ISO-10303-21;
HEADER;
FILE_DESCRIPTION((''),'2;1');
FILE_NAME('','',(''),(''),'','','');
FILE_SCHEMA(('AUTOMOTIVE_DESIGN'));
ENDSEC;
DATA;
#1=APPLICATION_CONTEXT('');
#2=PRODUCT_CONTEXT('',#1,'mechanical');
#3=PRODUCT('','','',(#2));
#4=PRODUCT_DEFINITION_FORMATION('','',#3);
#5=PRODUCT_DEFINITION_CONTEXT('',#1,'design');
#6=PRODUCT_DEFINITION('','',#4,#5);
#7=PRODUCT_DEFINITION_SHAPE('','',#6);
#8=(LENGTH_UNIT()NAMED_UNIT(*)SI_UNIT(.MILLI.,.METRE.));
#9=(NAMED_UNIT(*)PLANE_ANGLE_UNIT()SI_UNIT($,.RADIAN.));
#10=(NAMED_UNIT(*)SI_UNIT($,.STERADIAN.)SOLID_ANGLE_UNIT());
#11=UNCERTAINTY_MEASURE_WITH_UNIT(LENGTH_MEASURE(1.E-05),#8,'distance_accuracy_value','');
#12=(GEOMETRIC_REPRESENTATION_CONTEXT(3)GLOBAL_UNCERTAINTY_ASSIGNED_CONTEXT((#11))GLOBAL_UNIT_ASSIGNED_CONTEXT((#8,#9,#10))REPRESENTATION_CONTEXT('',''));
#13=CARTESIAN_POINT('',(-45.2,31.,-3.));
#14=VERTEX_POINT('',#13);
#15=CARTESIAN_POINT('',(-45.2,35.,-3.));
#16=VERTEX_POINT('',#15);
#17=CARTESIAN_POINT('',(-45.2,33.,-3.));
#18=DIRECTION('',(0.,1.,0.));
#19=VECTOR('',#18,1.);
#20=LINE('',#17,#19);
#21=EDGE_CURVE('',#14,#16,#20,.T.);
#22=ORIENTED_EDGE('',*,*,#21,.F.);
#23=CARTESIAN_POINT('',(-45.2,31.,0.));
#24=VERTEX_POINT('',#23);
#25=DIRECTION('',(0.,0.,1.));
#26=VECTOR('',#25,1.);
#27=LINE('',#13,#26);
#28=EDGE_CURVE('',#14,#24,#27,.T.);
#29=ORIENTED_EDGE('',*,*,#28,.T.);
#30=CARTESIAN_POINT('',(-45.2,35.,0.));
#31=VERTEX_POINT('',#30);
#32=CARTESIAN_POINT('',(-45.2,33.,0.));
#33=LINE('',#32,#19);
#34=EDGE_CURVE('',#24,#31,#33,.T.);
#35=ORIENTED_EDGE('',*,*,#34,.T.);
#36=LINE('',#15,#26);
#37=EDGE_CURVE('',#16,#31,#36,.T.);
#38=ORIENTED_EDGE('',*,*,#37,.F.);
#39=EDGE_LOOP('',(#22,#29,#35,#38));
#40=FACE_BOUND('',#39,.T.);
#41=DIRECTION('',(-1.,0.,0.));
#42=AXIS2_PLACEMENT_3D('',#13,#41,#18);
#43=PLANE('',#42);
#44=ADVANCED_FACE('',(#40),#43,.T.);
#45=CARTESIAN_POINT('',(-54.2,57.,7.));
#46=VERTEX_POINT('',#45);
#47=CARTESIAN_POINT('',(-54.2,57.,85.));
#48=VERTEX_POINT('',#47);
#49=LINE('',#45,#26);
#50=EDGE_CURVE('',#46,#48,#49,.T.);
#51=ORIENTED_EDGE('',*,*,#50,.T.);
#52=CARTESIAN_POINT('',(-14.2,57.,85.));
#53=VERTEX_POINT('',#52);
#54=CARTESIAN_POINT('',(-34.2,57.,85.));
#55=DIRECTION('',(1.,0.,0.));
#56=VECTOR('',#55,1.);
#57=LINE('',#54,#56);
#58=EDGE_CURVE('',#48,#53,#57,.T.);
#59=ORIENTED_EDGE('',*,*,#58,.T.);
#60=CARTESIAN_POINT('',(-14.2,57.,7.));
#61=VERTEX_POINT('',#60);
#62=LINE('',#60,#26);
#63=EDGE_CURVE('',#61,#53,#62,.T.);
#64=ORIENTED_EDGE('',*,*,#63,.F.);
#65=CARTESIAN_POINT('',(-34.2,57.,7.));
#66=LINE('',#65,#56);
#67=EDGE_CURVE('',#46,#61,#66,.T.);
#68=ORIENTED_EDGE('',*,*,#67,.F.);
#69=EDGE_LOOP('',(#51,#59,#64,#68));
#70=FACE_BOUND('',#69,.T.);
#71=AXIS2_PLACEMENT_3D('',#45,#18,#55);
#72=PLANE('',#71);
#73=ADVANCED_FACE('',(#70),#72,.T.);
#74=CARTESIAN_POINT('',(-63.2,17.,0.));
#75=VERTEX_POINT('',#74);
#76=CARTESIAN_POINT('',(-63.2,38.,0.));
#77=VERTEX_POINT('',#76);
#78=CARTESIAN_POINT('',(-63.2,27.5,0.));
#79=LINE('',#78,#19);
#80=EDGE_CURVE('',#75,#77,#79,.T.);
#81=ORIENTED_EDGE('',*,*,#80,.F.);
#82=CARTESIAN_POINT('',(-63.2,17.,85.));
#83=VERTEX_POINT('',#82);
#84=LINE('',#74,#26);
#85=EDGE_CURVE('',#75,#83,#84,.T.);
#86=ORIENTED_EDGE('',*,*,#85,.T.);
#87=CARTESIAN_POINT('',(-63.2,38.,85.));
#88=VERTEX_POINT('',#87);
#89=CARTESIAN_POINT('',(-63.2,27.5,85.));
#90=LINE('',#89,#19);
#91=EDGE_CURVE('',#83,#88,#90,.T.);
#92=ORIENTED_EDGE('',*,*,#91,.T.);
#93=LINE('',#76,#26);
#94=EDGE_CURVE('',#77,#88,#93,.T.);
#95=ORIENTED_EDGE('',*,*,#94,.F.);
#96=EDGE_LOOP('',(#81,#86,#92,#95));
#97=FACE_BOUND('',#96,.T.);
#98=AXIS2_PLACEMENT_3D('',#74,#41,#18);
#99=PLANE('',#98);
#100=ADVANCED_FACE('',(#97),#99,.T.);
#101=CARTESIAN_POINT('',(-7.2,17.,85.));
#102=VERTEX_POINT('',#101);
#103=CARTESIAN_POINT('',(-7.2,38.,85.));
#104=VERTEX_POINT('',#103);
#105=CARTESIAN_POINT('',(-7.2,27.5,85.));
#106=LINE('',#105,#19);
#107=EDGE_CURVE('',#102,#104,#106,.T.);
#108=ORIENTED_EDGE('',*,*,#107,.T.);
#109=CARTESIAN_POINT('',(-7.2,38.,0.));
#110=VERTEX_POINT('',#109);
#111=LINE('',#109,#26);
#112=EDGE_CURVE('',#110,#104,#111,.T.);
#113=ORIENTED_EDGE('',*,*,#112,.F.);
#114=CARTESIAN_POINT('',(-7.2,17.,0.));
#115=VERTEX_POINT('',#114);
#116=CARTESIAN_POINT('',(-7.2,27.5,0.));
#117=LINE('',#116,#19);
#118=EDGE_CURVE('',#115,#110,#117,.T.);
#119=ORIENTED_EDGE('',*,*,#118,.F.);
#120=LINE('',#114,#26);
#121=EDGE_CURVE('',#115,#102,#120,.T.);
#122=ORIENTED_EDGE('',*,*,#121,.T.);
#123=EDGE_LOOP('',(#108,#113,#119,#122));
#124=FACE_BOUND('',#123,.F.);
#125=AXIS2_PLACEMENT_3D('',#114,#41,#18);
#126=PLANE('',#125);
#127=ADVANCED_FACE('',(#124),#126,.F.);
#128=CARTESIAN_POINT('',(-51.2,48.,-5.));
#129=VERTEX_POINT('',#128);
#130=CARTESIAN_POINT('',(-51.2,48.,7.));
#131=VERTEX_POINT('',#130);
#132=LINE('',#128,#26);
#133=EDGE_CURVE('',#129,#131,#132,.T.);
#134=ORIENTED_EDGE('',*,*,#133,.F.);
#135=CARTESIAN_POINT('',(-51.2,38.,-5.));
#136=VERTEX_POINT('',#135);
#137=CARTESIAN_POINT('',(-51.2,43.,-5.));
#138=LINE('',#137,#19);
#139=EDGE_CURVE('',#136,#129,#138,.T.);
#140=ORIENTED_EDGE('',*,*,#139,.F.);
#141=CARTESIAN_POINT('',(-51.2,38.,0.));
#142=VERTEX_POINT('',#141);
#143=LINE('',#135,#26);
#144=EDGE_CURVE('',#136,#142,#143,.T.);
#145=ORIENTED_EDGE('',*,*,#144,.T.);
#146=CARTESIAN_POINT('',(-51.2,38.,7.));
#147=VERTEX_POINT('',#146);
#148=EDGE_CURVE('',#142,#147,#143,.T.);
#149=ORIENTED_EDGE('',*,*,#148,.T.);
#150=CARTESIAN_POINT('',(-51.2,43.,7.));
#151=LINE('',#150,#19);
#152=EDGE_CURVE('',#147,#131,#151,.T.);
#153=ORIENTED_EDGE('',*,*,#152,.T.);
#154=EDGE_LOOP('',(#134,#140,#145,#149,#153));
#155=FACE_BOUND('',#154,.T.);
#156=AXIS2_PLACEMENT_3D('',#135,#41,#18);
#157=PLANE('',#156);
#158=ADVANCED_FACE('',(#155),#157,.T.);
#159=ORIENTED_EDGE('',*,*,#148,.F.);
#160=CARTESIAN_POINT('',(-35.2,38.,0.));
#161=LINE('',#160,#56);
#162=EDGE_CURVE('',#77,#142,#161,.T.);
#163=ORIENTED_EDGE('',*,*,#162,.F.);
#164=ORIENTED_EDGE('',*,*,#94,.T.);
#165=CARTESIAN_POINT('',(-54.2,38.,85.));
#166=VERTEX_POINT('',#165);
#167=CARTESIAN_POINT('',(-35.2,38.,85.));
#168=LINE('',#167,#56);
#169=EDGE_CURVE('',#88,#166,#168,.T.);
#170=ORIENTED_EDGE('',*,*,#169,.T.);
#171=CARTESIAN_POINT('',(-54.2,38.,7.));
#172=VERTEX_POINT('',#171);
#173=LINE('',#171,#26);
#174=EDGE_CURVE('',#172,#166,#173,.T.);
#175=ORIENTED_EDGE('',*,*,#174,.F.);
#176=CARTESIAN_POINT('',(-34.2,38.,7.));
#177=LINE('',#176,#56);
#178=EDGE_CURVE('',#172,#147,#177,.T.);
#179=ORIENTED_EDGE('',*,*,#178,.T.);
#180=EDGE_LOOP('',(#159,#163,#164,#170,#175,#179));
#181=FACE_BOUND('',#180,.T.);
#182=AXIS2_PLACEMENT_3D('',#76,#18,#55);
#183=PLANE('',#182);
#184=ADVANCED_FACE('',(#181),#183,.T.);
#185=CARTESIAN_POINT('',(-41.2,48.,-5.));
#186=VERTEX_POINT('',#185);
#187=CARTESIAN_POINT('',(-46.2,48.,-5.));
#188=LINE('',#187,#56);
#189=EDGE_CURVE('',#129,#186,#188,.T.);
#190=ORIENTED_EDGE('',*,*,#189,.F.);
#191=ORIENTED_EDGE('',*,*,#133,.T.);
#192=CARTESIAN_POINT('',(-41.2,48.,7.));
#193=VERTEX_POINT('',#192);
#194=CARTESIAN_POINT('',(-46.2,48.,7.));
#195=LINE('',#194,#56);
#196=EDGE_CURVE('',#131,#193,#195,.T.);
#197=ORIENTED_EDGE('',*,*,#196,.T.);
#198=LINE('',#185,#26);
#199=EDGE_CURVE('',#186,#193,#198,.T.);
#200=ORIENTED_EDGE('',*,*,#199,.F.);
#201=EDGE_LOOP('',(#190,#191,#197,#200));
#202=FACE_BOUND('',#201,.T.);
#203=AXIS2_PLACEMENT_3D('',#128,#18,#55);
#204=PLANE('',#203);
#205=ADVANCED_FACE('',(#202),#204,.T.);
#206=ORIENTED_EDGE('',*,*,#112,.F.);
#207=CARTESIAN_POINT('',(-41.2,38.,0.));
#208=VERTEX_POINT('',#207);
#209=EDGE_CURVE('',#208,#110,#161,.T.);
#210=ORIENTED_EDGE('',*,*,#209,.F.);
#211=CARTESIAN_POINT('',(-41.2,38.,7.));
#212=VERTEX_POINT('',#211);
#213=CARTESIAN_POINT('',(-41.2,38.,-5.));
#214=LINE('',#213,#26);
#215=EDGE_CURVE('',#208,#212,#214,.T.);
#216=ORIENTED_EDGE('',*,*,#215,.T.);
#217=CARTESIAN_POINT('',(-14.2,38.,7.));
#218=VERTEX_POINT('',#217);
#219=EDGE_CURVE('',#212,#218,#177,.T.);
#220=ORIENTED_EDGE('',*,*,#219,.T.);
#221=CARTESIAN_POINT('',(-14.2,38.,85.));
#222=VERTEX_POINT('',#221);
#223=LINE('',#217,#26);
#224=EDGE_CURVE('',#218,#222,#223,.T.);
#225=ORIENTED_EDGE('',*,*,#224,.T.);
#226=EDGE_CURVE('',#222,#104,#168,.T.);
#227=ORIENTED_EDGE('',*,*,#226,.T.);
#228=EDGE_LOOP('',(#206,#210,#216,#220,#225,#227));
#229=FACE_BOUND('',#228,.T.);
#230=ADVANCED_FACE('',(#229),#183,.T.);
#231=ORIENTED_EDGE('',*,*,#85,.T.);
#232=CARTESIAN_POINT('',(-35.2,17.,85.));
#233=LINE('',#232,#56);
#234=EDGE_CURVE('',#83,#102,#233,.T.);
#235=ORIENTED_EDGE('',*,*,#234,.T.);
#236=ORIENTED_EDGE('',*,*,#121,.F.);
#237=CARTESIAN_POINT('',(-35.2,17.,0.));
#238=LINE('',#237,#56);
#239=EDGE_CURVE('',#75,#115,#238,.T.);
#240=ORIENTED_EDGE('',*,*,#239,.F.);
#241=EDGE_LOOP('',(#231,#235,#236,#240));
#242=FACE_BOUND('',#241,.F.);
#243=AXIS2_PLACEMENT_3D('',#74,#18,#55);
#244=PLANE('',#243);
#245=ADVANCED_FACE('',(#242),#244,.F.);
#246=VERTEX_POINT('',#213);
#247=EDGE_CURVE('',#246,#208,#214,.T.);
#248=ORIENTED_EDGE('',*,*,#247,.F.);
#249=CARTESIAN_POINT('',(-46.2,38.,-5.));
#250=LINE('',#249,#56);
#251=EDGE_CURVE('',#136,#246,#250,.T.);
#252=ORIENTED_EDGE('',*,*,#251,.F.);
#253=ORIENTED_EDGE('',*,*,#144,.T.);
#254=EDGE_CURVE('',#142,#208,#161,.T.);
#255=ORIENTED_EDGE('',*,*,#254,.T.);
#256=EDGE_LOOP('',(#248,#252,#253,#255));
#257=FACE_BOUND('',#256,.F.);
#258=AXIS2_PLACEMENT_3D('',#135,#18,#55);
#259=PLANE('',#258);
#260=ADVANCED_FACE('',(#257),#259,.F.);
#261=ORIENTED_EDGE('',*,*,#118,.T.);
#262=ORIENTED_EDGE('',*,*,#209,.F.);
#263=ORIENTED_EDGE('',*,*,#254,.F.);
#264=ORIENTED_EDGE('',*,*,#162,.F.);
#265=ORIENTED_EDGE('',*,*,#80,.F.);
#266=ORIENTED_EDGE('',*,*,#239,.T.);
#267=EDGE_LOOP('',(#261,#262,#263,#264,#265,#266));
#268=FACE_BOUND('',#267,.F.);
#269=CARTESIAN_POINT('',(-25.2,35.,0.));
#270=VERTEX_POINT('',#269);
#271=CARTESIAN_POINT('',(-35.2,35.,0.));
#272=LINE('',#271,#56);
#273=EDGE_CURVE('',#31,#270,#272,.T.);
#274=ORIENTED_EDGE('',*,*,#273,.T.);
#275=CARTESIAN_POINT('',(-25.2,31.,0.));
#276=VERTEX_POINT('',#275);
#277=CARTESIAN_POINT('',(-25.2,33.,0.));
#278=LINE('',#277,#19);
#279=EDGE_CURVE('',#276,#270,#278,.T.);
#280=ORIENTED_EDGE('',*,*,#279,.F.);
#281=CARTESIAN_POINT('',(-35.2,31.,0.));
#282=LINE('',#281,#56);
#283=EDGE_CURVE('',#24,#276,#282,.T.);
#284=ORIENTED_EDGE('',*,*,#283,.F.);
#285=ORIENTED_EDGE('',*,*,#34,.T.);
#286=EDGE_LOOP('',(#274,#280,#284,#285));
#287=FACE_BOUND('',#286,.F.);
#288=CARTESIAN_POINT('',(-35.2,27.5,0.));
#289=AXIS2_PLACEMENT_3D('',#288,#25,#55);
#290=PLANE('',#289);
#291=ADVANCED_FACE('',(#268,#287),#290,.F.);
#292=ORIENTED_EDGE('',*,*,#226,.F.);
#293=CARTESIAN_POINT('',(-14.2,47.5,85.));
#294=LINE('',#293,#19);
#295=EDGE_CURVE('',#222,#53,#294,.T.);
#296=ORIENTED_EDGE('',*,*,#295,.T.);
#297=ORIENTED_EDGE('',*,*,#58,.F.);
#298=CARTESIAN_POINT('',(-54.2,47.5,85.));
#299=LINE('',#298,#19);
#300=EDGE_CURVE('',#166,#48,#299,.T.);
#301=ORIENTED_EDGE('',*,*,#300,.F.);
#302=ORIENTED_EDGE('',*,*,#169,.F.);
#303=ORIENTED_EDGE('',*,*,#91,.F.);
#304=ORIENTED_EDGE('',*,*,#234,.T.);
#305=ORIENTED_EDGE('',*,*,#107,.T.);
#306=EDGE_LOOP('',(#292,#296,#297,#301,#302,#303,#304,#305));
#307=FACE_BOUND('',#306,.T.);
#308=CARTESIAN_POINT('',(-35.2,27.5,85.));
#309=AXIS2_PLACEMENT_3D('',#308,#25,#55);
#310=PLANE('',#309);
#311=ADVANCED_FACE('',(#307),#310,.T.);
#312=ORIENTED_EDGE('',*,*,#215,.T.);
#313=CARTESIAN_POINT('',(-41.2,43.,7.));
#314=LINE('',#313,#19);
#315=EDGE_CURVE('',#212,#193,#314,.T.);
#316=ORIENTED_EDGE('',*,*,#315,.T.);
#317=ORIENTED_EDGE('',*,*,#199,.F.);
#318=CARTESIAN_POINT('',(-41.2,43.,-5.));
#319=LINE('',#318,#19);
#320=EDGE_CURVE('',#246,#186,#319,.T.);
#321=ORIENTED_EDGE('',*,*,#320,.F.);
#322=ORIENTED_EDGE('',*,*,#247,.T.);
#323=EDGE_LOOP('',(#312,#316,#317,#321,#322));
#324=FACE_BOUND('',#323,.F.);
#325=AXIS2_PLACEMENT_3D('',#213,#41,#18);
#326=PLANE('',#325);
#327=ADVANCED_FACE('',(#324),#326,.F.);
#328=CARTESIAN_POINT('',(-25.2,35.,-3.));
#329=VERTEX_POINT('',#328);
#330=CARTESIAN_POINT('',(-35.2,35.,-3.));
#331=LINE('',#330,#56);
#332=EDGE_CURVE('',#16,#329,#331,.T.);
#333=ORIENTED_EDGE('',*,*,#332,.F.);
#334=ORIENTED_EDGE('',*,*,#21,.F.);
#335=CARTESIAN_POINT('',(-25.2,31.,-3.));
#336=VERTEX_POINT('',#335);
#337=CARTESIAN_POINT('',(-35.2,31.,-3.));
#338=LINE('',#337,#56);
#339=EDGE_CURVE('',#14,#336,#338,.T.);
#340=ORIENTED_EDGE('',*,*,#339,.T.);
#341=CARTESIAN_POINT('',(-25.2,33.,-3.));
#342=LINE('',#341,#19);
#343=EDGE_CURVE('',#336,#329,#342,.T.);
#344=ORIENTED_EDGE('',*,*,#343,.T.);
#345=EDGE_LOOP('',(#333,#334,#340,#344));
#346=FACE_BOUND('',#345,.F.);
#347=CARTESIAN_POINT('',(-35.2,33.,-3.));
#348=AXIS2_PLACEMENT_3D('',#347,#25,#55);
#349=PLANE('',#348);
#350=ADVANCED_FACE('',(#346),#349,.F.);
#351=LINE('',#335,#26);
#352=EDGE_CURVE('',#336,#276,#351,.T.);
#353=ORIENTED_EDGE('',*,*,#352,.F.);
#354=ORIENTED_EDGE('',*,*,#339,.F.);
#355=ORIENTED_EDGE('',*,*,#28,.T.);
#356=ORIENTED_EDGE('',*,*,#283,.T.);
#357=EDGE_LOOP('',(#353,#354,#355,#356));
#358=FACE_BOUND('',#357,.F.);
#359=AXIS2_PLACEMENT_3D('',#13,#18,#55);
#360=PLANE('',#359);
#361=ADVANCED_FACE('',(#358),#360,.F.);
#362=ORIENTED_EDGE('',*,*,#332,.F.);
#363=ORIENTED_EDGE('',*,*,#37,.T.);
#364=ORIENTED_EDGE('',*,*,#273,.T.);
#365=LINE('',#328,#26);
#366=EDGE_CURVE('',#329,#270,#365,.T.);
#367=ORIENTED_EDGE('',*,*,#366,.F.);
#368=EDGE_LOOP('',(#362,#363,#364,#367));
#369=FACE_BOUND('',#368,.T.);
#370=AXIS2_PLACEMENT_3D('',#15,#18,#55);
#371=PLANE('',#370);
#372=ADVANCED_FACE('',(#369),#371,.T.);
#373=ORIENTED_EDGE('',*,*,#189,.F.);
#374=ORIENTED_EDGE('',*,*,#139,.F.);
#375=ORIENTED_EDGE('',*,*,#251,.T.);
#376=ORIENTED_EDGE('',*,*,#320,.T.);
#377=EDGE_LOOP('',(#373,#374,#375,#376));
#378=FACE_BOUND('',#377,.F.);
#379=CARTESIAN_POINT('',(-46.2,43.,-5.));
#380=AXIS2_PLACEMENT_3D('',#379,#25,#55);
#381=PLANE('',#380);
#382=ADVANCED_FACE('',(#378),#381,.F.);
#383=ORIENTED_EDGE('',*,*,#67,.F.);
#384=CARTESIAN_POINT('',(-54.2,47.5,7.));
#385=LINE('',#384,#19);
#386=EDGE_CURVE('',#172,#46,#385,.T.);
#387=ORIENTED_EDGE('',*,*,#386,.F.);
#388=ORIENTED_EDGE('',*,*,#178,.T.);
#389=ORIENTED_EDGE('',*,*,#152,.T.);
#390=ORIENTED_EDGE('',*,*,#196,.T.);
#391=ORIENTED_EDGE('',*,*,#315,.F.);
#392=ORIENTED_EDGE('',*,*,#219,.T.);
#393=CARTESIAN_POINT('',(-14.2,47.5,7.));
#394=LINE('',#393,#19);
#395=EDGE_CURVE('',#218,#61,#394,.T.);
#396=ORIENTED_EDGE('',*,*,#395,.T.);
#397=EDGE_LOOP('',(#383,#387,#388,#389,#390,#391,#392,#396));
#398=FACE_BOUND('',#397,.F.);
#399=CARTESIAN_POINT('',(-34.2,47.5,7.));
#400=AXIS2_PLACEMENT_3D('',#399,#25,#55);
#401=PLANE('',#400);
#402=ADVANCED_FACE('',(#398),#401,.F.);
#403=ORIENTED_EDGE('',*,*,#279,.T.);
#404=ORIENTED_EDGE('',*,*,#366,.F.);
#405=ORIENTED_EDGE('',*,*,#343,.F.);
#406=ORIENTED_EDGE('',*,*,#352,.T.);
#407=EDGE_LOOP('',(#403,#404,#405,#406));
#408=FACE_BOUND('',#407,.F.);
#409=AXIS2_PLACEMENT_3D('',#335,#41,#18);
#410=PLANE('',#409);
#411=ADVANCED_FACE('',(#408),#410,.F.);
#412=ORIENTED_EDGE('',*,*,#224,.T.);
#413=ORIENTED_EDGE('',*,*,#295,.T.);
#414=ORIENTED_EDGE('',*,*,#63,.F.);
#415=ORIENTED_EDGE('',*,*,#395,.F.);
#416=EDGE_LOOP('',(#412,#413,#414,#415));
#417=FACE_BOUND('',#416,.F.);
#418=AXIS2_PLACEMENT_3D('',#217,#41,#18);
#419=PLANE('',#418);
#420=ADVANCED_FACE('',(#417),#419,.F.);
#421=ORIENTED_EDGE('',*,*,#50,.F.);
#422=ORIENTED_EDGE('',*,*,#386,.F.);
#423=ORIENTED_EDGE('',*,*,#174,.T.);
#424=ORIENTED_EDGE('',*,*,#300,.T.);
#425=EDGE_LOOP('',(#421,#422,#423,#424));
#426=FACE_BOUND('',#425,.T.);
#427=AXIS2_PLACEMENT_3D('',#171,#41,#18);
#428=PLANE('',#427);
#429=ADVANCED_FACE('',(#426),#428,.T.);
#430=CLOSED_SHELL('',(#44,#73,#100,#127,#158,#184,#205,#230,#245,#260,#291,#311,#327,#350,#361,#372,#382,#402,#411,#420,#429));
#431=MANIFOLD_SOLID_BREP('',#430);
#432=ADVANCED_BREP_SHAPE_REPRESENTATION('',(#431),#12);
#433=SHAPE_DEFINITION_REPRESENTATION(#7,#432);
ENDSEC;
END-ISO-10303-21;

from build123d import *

# Parameters (mm, degrees)
BOX_W        = 56
BOX_H        = 21
BOX_DEPTH    = 85
BOX002_W     = 10
BOX002_H     = 10
BOX002_DEPTH = 12
BOX458_W     = 20
BOX458_H     = 4
BOX458_DEPTH = 3
BOX003_W     = 40
BOX003_H     = 19
BOX003_DEPTH = 78


with BuildPart() as box:
    # Box → Box (new body)
    with BuildSketch(Plane.XY):
        with Locations((28, 10.5)):
            Rectangle(BOX_W, BOX_H)
    extrude(amount=BOX_DEPTH)


with BuildPart() as box002:
    # Box002 → Box002 (new body)
    with BuildSketch(Plane(origin=(12, 21, -5), x_dir=(1, 0, 0), z_dir=(0, 0, 1))):
        with Locations((5, 5)):
            Rectangle(BOX002_W, BOX002_H)
    extrude(amount=BOX002_DEPTH)


with BuildPart() as box458:
    # Box458 → Box458 (new body)
    with BuildSketch(Plane(origin=(18, 14, -3), x_dir=(1, 0, 0), z_dir=(0, 0, 1))):
        with Locations((10, 2)):
            Rectangle(BOX458_W, BOX458_H)
    extrude(amount=BOX458_DEPTH)


with BuildPart() as fusion363:
    # Box003 → Box003 (new body)
    with BuildSketch(Plane(origin=(9, 21, 7), x_dir=(1, 0, 0), z_dir=(0, 0, 1))):
        with Locations((20, 9.5)):
            Rectangle(BOX003_W, BOX003_H)
    extrude(amount=BOX003_DEPTH)

    # Fusion363: union Box, Box002, Box458
    add(box.part)
    add(box002.part)
    add(box458.part)


with BuildPart() as fusion363_1:
    # Fusion363 placement: moved
    add(fusion363.part.moved(Location((-63.2, 17, 0))))


solid = fusion363_1.part
